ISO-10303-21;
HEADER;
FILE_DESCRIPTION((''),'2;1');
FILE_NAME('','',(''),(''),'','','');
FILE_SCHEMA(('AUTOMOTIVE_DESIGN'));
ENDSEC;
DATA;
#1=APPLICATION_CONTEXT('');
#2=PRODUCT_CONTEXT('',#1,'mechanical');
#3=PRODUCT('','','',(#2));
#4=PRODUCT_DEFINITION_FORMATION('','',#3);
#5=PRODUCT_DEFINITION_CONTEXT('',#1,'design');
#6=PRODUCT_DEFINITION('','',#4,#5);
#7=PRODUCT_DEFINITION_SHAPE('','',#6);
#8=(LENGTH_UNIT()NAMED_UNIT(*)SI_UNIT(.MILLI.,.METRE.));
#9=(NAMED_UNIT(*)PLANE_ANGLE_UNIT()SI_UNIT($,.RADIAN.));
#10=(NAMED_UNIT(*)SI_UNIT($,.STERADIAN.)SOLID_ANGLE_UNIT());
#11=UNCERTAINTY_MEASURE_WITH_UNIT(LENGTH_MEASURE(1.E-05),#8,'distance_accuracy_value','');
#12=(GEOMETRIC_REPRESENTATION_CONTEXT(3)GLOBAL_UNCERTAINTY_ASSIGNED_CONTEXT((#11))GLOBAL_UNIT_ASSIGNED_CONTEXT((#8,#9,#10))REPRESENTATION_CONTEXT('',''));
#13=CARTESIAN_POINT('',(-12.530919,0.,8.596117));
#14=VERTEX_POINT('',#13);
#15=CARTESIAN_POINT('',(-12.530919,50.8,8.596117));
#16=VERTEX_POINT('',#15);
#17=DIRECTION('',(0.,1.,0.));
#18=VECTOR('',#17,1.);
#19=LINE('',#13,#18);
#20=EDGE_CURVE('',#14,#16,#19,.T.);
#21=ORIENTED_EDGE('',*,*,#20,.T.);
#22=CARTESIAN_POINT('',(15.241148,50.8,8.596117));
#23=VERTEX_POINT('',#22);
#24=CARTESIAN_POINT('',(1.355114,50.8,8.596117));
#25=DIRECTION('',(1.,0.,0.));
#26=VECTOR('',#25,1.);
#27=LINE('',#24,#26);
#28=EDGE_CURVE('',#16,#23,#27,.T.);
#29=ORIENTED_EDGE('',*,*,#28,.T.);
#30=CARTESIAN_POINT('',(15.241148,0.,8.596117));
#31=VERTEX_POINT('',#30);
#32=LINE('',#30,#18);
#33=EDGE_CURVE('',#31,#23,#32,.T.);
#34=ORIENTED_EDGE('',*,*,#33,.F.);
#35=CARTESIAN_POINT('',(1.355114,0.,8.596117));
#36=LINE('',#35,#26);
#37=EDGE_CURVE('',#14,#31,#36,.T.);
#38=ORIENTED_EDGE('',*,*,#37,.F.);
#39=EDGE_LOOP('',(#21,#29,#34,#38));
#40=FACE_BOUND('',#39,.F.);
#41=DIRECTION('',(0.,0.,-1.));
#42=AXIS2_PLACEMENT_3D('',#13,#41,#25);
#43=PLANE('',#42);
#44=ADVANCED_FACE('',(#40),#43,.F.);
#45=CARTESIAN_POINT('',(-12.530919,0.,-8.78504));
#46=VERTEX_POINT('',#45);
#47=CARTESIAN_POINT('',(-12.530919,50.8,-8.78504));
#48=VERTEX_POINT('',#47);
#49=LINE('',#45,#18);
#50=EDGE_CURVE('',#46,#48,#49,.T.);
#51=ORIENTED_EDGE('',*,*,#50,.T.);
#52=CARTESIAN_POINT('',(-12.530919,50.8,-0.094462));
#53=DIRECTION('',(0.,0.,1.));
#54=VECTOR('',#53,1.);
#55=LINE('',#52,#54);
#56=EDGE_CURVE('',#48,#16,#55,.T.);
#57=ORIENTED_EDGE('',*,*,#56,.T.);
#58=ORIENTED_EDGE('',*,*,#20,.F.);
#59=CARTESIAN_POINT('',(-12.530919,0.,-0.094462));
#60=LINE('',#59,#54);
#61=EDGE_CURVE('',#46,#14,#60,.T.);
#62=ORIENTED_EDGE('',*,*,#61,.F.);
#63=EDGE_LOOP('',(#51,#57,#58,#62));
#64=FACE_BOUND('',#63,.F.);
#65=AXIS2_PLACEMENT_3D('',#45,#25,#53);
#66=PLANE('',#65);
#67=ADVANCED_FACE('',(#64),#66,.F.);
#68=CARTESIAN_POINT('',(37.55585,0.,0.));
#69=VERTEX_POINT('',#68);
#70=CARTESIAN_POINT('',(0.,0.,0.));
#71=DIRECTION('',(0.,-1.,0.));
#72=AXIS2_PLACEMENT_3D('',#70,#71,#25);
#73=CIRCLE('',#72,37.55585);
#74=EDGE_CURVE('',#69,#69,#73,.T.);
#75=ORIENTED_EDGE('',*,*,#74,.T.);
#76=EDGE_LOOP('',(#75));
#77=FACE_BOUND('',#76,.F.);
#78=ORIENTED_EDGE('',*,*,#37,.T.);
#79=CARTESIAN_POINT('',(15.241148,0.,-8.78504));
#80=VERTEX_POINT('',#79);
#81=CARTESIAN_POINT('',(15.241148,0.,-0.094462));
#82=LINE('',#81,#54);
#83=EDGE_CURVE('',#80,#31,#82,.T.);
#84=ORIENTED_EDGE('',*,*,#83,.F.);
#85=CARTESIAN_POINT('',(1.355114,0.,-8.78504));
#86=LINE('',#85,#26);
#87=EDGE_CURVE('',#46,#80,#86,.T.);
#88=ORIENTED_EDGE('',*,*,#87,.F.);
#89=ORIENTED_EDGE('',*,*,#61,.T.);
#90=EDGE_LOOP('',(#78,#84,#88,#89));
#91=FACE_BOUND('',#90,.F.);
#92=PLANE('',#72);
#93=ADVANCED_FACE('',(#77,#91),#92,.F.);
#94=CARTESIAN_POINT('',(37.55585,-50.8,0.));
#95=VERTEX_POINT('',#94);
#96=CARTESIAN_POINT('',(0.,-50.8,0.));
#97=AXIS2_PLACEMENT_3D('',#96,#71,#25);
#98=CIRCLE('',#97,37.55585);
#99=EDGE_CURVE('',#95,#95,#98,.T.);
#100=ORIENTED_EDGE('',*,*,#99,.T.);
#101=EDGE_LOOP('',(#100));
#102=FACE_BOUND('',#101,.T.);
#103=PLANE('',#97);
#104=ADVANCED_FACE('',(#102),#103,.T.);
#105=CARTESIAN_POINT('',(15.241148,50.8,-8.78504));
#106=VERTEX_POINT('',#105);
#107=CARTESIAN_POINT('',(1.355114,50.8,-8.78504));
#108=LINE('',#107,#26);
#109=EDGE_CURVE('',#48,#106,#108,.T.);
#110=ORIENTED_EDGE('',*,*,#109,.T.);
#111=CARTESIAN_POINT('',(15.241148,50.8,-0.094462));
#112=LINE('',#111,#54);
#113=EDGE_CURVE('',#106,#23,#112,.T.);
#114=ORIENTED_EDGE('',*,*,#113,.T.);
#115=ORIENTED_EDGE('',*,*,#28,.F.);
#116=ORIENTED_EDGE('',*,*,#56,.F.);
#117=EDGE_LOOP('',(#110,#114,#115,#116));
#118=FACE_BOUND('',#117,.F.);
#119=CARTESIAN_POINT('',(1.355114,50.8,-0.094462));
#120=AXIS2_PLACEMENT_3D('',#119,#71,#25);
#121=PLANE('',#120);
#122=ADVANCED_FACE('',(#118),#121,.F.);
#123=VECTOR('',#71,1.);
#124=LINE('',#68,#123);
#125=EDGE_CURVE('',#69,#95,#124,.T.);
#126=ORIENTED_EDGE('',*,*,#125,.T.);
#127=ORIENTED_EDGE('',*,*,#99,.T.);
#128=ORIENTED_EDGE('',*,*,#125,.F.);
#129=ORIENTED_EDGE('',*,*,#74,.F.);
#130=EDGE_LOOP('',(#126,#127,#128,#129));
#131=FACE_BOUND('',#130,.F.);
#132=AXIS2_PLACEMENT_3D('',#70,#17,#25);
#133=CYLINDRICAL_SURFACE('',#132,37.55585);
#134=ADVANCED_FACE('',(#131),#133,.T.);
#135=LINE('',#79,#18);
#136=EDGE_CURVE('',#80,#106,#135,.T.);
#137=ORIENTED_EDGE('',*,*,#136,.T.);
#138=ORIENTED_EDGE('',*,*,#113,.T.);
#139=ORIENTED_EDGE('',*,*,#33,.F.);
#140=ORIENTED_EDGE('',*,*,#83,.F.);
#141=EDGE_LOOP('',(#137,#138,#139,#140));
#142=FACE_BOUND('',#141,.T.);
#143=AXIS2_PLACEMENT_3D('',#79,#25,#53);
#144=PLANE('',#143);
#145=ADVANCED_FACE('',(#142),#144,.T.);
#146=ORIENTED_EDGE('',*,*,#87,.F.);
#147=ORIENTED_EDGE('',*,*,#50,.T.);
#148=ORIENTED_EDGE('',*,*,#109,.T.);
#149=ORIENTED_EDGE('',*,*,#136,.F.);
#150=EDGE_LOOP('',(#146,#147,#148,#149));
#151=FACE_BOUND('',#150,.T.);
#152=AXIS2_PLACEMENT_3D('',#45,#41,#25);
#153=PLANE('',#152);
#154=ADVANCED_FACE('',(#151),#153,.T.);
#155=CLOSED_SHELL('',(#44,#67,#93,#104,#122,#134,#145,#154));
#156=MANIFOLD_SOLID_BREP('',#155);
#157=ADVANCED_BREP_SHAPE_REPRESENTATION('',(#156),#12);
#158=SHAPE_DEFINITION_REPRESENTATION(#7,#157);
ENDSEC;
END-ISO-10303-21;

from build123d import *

# Parameters (mm, degrees)
F0_R     = 37.55585
F1_DEPTH = 50.8
F2_W     = 27.772067
F2_H     = 17.381157
F3_DEPTH = 50.8


with BuildPart() as f1:
    # F0 (on Front) → F1 (new body)
    with BuildSketch(Plane.XZ):
        Circle(F0_R)
    extrude(amount=F1_DEPTH)

    # F2 (on Front) → F3 (join)
    with BuildSketch(Plane.XZ):
        with Locations((1.355114, -0.094462)):
            Rectangle(F2_W, F2_H)
    extrude(amount=-F3_DEPTH)


solid = f1.part
